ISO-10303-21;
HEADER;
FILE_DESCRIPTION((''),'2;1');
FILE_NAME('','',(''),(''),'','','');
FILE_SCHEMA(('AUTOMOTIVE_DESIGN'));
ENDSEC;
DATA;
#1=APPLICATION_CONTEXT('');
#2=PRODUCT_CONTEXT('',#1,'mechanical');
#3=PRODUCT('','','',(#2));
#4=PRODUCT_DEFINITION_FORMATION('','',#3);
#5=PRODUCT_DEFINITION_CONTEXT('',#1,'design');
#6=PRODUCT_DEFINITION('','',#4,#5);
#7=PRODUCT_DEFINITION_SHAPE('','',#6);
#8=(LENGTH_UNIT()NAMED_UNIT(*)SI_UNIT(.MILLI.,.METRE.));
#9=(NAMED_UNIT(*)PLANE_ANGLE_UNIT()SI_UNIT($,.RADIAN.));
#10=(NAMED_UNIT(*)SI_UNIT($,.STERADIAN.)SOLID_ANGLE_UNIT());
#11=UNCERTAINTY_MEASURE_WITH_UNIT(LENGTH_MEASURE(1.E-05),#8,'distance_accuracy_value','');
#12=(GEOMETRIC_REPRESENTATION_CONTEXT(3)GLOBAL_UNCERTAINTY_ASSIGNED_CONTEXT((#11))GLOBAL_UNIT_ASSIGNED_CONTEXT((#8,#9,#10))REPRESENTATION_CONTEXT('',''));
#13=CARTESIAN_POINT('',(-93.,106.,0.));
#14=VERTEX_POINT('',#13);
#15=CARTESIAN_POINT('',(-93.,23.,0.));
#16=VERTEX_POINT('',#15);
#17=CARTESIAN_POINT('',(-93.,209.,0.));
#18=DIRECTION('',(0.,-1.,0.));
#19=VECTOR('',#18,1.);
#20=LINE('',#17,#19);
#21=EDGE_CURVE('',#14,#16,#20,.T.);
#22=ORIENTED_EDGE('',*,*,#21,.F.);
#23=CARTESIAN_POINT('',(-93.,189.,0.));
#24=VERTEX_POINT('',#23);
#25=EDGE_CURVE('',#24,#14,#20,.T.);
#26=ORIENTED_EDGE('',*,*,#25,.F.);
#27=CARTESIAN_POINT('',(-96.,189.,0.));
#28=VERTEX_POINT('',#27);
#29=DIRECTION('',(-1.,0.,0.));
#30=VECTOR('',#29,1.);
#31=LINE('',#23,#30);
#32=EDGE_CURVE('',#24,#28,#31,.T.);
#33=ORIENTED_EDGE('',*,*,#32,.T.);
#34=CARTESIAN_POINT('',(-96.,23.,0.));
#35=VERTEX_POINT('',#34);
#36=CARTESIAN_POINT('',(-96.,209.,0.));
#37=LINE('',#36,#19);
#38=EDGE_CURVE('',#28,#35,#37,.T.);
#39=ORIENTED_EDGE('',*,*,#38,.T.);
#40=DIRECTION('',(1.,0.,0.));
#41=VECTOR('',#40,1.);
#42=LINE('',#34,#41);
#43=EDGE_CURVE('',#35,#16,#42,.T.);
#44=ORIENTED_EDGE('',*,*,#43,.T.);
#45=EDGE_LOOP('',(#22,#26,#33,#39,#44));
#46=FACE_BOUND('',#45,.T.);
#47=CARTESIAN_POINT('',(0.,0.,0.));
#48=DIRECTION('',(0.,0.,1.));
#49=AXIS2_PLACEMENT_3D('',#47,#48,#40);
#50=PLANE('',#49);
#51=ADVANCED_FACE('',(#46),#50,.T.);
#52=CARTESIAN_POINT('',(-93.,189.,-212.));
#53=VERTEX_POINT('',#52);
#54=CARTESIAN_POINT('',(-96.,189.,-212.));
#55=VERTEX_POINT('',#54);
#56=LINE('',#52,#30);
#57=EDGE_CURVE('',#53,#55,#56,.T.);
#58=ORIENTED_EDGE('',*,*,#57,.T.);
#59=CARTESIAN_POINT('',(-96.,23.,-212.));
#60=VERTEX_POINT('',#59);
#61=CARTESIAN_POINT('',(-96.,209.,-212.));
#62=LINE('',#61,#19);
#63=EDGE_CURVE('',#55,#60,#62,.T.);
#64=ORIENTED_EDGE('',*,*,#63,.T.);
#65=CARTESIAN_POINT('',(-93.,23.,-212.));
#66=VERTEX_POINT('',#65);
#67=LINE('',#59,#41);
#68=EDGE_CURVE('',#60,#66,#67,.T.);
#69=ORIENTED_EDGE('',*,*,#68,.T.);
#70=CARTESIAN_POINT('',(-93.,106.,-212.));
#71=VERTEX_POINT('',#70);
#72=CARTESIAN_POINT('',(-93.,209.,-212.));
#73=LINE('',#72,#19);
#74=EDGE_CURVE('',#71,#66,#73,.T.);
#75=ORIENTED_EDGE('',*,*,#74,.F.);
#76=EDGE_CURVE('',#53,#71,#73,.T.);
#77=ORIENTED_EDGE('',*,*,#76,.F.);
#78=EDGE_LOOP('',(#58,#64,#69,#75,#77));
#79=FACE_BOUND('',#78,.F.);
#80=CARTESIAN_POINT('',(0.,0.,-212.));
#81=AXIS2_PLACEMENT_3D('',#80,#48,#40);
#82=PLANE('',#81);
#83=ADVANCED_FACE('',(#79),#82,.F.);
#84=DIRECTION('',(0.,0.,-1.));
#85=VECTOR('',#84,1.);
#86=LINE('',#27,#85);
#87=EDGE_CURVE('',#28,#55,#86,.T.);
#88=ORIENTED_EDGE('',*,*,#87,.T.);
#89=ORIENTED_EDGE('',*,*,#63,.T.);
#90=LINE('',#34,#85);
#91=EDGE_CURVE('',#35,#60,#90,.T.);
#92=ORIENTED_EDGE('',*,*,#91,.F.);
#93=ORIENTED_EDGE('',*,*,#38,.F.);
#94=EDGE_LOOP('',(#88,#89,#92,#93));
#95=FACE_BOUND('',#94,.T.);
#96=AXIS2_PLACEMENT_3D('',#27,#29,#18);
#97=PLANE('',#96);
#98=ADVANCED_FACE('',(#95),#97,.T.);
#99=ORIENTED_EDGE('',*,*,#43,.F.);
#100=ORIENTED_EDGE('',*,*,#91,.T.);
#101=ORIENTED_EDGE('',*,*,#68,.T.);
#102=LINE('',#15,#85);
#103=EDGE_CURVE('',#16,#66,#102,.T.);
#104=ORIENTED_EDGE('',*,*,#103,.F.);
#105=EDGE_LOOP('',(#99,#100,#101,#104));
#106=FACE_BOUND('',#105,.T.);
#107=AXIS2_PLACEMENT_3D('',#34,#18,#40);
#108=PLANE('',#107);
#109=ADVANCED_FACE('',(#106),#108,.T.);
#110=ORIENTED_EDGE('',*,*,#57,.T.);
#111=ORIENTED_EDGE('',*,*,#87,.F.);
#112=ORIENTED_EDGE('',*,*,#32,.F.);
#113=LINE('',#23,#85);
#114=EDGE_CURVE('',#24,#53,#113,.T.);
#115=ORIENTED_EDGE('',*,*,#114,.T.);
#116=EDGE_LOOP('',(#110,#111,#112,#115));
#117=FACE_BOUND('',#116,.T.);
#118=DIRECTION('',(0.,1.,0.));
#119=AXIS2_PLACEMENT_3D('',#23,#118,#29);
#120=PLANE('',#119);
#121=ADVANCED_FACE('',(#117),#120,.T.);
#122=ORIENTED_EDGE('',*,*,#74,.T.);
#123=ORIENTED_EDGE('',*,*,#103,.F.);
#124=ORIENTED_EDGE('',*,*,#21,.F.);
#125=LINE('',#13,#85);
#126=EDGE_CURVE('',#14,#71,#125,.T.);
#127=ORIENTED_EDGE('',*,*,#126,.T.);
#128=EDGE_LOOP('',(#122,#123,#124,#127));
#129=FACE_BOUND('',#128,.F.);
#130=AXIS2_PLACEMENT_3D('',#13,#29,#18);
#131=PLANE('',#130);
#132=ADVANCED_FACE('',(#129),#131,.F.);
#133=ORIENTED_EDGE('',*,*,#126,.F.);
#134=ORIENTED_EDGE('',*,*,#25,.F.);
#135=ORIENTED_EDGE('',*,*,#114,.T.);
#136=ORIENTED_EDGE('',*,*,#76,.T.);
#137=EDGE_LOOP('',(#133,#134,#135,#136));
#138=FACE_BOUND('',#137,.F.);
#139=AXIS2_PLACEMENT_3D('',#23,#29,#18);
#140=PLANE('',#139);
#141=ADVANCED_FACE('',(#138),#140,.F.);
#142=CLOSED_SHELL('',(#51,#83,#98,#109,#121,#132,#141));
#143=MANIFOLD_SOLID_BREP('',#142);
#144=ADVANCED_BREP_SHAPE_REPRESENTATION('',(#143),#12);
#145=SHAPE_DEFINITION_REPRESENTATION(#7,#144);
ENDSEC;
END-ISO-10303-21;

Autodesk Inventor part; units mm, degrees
ref_plane "YZ Plane" through (0, 0, 0) normal (1, 0, 0) x (0, 1, 0)
ref_plane "XZ Plane" through (0, 0, 0) normal (0, 1, 0) x (-1, 0, 0)
ref_plane "Work Plane1" through (0, 0, 0) normal (0, 0, 1) x (1, 0, 0)
sketch "Sketch1" plane through (0, 0, 0) normal (0, 0, 1) x (1, 0, 0)
  line L0 (-93, 209) -> (-93, 3) projected
  line L1 (-93, 209) -> (-96, 209)
  line L2 (-96, 209) -> (-96, 3)
  line L3 (-96, 3) -> (-93, 3)
  line L4 (-93, 3) -> (-93, 209)
  line L5 (-93, 209) -> (-93, 106)
  line L6 (-93, 106) -> (-94.5, 106)
  line L7 (-93, 189) -> (-96, 189)
  line L8 (-96, 189) -> (-96, 23)
  line L9 (-96, 23) -> (-93, 23)
  line L10 (-93, 23) -> (-93, 189)
  line L11 (-93, 189) -> (-96, 23) construction
  line L12 (-96, 189) -> (-93, 23) construction
  point P0 (0, 0)
  dimension "d0" = 3
  dimension "d1" = 103
  dimension "d2" = 1.5
  dimension "d3" = 166
ref_plane "Work Plane2" through (-303, 0, -212) normal (0, 0, -1) x (0, 1, 0)
extrude "Extrusion1" add sketch "Sketch1" against normal up to surface (212 mm away) contours L0 L9 L2 L7
properties part number "Baffle"
